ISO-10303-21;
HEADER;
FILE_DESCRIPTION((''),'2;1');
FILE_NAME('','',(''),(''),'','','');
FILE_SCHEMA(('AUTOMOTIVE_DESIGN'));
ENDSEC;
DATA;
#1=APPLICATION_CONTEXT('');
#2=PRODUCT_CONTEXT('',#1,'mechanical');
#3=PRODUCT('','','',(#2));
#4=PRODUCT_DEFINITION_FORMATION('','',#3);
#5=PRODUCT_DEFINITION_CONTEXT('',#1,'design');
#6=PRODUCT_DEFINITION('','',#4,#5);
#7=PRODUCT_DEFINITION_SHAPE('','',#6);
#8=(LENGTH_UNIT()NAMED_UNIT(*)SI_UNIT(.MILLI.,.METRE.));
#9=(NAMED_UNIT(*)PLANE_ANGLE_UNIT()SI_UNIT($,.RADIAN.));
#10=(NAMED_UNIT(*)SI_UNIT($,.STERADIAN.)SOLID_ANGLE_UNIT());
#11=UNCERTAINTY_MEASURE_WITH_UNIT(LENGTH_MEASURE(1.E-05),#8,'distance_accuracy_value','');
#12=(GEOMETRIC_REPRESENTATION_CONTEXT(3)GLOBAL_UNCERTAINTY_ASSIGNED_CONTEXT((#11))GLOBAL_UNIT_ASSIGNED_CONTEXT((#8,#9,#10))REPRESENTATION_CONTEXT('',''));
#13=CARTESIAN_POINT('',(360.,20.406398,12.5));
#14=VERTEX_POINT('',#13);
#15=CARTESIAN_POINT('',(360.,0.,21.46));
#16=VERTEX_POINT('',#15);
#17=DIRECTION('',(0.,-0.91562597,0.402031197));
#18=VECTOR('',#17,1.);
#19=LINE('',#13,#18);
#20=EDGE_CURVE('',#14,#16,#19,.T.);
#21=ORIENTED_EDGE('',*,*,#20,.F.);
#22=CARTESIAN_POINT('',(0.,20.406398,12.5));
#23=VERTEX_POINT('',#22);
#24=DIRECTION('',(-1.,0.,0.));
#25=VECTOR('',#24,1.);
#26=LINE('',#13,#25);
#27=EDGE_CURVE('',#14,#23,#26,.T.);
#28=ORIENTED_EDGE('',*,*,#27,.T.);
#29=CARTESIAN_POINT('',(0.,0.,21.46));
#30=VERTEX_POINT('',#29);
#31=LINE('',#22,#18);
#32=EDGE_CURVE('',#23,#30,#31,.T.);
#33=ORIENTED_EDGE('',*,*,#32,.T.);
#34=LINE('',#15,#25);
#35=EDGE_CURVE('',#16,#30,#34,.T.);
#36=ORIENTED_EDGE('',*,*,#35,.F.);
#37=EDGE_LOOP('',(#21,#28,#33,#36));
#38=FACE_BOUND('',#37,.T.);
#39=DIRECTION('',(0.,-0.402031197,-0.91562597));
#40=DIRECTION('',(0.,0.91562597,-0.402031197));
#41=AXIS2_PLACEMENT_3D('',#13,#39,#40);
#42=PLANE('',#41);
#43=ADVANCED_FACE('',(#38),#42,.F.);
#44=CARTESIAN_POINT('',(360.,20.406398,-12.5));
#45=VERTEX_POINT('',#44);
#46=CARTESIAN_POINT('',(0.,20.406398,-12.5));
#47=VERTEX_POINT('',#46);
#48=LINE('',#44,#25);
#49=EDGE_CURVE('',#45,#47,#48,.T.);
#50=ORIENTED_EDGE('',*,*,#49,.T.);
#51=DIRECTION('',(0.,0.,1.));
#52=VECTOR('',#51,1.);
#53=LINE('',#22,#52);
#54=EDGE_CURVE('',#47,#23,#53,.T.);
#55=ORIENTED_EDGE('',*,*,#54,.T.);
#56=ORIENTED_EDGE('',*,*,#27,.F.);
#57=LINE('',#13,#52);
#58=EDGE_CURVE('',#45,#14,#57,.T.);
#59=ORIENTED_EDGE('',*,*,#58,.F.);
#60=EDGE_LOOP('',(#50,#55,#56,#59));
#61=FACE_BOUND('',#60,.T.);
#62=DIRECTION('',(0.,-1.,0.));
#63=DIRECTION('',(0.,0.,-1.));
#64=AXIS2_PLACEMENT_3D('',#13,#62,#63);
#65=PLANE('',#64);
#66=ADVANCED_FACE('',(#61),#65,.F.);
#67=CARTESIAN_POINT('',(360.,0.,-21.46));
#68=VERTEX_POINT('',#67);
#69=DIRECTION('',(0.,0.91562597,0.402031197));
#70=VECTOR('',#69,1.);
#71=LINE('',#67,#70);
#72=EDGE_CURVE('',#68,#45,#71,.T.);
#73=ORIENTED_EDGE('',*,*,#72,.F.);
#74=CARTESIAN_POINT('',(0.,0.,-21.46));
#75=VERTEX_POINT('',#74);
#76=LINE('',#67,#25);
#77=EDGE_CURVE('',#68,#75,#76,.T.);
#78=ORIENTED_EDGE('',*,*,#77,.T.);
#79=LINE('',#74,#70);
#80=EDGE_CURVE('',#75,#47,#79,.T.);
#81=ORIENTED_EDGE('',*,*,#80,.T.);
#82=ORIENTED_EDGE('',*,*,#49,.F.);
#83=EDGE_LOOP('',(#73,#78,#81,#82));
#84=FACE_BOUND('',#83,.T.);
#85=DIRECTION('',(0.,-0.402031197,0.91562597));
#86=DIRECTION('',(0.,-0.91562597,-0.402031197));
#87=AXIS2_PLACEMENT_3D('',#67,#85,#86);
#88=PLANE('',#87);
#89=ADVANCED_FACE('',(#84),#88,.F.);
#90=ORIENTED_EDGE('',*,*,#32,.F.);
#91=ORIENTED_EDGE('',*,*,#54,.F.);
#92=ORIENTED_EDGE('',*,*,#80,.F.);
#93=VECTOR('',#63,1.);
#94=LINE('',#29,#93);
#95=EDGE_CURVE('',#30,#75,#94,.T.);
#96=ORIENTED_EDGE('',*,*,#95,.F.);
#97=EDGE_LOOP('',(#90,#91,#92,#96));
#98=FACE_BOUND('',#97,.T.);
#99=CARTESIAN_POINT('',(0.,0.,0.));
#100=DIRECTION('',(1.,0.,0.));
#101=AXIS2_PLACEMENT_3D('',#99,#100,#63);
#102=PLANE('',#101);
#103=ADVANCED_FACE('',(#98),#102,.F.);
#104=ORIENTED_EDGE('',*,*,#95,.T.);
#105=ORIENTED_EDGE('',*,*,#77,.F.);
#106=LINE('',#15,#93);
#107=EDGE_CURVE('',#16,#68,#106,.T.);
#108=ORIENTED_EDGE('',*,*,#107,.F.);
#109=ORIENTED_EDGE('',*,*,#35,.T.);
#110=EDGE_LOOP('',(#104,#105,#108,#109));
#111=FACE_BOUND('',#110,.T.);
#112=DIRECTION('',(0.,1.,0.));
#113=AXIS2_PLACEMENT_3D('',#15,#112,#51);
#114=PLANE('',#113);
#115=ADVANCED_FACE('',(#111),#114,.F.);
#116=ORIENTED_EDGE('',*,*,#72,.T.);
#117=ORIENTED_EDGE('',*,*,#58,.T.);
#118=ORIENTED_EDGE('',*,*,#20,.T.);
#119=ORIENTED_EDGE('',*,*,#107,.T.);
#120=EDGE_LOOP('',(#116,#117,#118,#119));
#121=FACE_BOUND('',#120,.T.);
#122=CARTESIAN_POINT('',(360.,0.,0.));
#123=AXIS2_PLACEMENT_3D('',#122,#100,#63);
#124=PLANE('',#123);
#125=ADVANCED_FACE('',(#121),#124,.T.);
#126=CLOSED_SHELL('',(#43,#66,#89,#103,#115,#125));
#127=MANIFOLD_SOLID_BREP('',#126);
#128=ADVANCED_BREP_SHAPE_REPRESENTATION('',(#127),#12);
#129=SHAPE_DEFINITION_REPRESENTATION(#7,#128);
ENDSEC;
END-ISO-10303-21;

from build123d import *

# Parameters (mm, degrees)
SALIENTE_EXTRUIR1_DEPTH = 360


with BuildPart() as part:
    # Croquis1 → Saliente-Extruir1 (new body)
    with BuildSketch(Plane(origin=(0, 0, 0), x_dir=(0, 0, -1), z_dir=(1, 0, 0))):
        Polygon((-12.5, 20.406398165), (12.5, 20.406398165), (21.46, 0), (-21.46, 0), align=None)
    extrude(amount=SALIENTE_EXTRUIR1_DEPTH)


solid = part.part
